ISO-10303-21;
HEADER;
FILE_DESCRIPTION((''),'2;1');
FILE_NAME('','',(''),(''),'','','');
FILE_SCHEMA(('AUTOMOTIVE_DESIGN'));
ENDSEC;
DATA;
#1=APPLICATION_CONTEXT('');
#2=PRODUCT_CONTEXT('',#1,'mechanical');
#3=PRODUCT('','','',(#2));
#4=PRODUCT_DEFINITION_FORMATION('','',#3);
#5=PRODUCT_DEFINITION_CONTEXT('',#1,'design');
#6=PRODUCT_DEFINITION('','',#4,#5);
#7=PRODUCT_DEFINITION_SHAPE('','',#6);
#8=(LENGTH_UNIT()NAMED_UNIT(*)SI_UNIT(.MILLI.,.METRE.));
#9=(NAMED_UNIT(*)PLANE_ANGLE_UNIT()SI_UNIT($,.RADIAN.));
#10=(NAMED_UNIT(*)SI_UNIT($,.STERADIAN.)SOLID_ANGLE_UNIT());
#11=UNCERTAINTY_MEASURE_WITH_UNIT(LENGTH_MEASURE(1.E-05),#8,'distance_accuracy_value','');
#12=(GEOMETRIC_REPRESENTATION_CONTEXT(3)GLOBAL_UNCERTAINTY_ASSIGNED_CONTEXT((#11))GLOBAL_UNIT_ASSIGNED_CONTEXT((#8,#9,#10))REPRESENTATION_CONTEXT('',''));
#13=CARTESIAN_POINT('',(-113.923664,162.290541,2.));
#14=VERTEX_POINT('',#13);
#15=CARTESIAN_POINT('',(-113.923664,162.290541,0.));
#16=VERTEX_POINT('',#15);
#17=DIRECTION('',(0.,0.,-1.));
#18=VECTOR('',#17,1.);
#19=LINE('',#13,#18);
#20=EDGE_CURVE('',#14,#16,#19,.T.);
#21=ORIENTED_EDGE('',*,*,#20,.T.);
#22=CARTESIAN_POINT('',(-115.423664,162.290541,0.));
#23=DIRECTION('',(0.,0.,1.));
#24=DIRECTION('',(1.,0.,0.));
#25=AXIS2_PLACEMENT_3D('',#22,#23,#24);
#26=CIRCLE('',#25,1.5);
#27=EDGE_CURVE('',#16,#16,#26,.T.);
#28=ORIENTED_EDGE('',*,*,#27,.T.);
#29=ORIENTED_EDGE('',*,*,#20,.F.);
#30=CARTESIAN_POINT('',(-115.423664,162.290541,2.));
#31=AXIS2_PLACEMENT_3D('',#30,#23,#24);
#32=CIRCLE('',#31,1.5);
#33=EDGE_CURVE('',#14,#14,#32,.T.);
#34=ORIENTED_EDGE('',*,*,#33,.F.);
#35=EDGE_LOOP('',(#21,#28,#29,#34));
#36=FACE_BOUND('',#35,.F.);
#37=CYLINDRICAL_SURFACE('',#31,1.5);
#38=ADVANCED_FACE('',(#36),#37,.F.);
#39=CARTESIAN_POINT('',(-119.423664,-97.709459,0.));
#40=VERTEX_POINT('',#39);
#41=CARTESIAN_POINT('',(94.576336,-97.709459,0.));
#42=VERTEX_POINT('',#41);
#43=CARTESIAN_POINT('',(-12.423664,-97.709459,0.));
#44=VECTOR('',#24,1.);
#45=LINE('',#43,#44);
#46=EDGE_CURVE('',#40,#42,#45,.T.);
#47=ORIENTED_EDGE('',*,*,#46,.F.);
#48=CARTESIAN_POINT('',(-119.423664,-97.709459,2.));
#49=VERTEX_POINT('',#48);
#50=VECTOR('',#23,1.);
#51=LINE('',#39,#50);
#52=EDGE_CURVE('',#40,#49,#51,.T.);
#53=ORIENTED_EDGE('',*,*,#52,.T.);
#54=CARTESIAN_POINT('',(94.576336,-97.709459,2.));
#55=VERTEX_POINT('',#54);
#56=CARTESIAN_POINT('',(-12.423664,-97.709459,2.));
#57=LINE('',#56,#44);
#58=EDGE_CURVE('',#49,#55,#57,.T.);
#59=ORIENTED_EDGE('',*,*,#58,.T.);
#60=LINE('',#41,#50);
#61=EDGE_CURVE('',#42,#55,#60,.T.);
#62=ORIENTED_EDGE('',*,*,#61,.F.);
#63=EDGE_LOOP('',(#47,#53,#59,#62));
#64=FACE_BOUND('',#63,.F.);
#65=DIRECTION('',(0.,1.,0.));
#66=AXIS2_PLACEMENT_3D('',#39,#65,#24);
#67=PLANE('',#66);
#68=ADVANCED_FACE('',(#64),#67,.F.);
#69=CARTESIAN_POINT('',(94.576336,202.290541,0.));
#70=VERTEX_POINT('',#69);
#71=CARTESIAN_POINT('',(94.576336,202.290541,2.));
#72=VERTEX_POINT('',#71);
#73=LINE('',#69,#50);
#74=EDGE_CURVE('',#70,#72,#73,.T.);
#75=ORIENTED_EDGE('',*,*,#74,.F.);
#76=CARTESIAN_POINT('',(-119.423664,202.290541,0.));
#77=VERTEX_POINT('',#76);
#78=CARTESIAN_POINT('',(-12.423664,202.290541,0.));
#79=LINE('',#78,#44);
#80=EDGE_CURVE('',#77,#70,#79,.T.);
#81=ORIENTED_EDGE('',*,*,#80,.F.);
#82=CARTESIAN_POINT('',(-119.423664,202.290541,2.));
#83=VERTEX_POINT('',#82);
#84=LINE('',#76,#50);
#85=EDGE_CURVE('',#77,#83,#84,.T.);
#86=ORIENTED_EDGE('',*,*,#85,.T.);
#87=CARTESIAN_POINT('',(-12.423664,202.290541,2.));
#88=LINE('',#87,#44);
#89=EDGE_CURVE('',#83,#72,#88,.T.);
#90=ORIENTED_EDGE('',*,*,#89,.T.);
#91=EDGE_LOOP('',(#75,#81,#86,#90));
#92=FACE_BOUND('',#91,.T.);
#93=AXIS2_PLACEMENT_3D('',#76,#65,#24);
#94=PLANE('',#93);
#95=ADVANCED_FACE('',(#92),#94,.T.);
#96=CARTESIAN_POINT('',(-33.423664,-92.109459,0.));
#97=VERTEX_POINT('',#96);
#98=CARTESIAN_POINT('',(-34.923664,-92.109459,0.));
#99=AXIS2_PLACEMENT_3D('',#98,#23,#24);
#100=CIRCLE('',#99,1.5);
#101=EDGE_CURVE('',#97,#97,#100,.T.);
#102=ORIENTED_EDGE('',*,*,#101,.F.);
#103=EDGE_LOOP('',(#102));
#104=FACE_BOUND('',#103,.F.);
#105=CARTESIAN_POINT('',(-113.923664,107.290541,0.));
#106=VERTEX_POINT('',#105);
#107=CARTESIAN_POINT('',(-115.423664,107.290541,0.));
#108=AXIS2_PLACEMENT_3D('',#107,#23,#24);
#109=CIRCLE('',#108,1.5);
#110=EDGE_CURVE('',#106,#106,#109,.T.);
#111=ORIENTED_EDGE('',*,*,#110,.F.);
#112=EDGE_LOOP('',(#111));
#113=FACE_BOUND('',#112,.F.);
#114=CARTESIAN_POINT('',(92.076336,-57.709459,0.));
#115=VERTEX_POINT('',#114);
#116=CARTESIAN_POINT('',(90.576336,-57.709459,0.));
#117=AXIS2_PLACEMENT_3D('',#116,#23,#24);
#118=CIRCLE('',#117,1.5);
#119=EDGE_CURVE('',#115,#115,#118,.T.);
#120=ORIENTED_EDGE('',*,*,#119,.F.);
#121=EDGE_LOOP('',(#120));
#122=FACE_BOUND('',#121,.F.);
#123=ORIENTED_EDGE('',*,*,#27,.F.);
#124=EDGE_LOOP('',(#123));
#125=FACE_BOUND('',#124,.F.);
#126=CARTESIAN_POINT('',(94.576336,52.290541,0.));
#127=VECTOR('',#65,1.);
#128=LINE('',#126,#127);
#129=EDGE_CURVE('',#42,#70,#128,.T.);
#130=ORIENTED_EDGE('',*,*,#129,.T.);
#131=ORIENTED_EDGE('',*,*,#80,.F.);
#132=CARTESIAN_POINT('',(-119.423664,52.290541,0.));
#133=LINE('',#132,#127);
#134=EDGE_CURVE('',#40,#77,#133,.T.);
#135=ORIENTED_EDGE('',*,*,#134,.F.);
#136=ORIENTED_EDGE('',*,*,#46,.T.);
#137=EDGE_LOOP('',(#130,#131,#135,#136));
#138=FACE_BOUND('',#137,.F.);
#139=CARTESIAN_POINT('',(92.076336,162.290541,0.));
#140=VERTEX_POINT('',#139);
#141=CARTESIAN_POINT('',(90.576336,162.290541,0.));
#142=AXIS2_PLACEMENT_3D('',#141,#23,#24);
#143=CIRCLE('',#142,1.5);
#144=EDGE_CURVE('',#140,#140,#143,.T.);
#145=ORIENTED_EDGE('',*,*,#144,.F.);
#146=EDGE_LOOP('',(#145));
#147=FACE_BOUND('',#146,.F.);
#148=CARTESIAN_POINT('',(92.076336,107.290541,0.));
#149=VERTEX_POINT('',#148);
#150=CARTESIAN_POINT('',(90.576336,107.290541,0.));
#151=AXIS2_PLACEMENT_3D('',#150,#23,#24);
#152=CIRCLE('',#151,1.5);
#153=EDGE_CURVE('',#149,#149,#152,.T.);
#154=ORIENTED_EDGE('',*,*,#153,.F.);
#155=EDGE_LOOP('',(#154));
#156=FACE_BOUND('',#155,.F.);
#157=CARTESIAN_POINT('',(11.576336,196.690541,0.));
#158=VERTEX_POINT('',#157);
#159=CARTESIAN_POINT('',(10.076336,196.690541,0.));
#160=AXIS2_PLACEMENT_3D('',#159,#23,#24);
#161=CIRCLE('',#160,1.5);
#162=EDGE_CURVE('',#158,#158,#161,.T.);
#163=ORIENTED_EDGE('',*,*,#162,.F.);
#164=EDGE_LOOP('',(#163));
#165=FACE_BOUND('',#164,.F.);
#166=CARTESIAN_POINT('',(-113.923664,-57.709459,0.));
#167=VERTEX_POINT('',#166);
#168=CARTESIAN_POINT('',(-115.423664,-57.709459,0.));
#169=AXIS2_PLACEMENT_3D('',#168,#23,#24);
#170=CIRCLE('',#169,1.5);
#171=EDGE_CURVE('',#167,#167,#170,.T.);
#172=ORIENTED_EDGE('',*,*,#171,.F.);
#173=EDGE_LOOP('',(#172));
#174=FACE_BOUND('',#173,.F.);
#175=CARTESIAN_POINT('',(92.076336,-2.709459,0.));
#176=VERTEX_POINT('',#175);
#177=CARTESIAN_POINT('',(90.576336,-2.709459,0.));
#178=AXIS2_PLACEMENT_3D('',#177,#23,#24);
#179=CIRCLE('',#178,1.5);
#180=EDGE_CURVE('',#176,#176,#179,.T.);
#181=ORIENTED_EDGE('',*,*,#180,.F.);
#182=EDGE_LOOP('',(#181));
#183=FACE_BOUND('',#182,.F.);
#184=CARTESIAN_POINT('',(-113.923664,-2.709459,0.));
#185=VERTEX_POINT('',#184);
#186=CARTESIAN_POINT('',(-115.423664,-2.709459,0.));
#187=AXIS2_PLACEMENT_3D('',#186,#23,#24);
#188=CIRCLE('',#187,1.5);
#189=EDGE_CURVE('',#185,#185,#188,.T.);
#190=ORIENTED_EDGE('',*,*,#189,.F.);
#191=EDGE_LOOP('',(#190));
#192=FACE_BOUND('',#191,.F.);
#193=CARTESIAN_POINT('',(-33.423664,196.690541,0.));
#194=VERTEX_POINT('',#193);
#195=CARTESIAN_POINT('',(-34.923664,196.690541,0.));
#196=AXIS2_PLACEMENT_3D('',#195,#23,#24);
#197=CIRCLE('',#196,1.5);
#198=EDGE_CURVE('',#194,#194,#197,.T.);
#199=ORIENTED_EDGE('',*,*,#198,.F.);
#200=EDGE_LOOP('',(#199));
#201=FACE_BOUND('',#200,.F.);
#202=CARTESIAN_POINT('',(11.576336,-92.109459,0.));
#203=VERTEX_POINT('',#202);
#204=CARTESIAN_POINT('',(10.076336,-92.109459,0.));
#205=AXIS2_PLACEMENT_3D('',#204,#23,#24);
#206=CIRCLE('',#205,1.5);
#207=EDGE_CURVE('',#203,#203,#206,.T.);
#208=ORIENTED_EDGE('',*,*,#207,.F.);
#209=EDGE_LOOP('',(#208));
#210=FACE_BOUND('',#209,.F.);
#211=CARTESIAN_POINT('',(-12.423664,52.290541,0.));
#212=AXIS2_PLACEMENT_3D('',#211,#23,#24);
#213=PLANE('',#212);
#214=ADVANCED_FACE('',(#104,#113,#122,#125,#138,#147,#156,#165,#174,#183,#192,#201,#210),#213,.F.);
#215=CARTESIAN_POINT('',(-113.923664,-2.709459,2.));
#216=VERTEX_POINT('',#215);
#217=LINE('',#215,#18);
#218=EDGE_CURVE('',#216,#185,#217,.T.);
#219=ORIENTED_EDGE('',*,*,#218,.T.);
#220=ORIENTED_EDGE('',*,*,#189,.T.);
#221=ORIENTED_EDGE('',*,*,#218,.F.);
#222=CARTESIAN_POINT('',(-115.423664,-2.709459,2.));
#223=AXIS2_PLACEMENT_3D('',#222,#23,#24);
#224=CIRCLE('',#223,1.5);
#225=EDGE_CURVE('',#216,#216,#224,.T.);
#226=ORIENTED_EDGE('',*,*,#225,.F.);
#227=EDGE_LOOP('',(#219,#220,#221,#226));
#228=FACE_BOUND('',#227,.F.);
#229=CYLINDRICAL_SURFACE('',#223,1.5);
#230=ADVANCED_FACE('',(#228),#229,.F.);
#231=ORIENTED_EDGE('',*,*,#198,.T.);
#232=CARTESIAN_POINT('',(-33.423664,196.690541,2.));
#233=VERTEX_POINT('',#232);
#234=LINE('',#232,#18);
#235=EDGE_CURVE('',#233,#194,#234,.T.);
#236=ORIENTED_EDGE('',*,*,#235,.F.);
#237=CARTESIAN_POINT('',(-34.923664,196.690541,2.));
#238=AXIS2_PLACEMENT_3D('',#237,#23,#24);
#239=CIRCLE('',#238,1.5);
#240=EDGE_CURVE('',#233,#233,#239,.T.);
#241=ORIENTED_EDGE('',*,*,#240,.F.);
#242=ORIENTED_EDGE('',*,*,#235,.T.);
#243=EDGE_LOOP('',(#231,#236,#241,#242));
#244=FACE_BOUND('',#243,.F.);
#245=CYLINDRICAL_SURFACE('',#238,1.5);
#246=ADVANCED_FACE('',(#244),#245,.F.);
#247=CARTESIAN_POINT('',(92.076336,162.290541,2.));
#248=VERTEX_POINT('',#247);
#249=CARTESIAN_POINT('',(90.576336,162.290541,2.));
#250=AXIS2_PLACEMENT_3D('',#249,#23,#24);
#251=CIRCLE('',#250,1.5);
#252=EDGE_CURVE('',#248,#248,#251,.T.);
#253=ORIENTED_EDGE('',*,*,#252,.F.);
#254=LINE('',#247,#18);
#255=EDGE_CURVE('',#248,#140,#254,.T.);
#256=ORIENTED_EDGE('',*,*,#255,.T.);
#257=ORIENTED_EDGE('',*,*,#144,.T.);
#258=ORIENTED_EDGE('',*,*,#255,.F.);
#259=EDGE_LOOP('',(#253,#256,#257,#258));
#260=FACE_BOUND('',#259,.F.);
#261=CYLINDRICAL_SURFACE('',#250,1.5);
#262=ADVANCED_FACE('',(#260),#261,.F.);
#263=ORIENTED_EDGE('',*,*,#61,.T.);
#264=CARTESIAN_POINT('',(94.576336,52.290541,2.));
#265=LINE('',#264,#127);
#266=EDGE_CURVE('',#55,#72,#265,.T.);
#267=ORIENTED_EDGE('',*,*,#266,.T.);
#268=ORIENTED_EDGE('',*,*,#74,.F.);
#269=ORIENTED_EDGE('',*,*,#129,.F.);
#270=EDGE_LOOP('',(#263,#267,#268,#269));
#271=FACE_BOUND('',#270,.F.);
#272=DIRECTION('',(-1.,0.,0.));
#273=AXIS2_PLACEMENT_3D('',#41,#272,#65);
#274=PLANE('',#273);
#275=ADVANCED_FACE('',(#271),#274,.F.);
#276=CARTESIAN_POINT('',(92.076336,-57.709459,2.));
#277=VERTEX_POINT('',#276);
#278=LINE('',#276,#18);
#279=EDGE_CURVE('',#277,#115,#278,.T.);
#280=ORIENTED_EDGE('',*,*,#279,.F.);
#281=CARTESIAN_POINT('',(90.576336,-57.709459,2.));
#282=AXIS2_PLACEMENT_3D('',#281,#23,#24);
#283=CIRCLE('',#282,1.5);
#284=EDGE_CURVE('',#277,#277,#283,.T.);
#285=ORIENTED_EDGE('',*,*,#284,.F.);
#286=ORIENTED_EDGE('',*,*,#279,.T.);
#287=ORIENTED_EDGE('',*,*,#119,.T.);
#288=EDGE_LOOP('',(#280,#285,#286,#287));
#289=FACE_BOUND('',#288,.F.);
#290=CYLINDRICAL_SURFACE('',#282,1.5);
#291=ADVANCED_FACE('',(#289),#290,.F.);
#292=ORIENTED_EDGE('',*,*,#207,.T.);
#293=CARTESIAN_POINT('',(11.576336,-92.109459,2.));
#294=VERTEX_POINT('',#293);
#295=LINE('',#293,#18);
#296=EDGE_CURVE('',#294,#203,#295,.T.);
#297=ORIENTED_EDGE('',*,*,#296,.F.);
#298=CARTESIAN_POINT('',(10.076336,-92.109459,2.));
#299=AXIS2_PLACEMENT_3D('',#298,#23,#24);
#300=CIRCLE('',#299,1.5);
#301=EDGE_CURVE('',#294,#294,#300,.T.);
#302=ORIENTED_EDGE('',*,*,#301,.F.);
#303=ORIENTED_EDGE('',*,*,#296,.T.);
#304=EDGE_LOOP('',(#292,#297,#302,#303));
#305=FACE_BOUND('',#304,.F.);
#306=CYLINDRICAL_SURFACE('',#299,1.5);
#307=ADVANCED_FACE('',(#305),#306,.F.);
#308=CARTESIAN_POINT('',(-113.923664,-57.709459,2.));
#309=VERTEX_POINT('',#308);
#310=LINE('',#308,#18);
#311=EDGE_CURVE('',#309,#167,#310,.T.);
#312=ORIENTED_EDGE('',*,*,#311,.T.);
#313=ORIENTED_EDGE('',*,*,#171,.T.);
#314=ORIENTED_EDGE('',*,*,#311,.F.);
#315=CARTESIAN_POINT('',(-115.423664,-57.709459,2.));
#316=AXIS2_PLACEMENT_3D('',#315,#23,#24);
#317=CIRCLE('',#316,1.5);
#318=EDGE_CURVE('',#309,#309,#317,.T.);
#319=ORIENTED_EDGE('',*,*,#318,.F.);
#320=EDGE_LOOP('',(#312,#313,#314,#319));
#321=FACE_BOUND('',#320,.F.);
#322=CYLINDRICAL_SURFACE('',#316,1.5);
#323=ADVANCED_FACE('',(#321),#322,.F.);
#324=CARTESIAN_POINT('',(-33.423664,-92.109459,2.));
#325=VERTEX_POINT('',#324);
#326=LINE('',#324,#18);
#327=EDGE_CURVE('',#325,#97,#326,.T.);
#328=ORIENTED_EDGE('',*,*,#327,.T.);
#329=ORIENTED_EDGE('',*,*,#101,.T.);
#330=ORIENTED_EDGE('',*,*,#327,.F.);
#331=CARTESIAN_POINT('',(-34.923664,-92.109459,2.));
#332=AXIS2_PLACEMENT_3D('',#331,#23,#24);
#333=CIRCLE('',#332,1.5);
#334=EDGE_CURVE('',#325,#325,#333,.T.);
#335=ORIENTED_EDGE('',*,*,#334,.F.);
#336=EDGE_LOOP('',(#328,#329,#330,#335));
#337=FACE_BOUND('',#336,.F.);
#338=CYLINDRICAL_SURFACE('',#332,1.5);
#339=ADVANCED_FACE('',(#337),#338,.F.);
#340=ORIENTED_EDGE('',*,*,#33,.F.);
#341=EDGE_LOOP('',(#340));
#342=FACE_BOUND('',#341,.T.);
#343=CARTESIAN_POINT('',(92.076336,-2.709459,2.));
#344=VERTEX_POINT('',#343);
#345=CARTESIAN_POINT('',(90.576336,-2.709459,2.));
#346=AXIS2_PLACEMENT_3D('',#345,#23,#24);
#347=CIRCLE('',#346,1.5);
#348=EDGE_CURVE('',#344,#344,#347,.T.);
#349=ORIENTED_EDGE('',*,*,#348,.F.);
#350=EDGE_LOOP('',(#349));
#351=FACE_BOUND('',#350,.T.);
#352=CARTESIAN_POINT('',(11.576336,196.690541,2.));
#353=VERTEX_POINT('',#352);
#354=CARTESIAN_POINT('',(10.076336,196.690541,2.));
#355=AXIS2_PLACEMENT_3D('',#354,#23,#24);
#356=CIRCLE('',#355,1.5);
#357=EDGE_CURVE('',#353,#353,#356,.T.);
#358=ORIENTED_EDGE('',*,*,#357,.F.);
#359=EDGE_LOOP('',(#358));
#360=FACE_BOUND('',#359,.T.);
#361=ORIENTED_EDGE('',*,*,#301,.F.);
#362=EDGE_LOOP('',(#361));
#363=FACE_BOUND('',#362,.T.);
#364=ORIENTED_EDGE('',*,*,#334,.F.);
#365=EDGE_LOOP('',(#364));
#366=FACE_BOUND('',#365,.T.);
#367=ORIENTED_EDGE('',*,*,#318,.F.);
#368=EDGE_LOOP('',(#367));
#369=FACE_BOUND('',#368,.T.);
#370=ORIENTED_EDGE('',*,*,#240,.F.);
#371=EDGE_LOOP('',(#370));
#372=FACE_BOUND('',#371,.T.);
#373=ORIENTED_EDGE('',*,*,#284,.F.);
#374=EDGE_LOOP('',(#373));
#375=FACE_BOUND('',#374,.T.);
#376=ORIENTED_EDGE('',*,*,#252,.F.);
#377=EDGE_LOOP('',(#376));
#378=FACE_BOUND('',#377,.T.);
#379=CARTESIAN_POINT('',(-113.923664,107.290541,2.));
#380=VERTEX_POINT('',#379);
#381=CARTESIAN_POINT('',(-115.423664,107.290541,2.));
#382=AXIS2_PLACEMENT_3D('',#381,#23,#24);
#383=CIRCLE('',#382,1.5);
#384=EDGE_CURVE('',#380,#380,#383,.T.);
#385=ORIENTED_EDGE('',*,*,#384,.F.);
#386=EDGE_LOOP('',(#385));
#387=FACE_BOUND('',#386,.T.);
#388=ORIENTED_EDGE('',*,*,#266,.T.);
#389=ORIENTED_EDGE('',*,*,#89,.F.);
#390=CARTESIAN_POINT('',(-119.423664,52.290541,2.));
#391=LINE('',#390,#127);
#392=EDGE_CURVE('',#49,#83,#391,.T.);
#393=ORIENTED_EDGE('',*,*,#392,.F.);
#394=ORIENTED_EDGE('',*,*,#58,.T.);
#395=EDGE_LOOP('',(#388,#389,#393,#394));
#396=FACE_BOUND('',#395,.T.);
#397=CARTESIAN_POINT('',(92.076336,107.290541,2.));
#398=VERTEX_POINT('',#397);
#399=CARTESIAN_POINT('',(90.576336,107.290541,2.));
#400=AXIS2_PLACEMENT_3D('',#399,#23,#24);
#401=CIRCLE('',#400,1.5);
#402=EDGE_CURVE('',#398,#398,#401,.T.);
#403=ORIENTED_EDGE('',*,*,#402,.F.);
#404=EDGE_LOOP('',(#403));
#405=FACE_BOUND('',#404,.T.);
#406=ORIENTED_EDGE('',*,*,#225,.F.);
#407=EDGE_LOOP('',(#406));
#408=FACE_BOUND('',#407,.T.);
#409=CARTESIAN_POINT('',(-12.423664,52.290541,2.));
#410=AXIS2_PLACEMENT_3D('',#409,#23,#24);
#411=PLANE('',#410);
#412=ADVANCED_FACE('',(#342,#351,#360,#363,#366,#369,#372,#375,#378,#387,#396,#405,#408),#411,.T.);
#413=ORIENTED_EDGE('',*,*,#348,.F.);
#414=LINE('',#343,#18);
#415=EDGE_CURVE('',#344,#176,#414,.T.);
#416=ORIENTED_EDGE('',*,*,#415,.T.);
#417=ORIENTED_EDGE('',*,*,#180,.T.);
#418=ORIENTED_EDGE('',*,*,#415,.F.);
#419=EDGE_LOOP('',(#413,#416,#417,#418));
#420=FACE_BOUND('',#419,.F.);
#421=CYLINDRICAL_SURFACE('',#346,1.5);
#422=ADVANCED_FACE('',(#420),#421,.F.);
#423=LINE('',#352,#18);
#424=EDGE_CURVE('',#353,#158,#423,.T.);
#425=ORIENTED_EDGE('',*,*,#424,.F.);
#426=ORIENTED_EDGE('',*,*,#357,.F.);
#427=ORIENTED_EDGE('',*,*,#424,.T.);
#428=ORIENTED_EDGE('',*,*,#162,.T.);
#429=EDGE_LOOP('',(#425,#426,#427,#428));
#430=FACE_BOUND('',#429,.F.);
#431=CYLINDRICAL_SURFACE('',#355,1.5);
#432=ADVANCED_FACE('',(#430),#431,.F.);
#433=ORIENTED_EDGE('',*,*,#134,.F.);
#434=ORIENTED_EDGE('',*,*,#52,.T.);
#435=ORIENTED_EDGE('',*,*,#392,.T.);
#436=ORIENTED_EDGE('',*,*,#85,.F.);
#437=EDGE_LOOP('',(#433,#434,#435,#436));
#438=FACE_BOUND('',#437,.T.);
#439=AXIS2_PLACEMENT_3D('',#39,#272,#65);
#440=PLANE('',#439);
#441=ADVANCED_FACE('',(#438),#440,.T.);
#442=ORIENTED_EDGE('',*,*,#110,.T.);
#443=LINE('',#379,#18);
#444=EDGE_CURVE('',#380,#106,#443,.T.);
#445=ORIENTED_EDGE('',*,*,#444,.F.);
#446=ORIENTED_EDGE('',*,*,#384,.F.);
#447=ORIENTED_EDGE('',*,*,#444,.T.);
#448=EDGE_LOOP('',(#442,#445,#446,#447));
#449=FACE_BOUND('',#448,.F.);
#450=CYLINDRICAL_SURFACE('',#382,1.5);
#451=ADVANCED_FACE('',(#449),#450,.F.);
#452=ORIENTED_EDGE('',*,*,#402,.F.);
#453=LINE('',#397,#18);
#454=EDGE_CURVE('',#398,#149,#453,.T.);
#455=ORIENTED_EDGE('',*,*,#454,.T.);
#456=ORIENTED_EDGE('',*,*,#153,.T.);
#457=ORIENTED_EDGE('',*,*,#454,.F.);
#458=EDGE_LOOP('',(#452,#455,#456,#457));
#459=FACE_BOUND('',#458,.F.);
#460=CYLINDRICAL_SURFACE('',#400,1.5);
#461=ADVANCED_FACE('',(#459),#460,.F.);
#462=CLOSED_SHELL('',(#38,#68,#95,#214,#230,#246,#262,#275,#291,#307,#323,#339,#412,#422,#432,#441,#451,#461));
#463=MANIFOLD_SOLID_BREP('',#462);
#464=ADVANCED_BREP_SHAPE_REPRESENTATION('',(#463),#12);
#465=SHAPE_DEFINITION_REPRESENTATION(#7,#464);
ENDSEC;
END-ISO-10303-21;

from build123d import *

# Parameters (mm, degrees)
F0_W     = 214
F0_H     = 300
F1_DEPTH = 2
F2_R     = 1.5
F3_DEPTH = 25


with BuildPart() as f1:
    # F0 (on Top) → F1 (new body)
    with BuildSketch(Plane.XY):
        with Locations((-12.423664, 52.290541)):
            Rectangle(F0_W, F0_H)
    extrude(amount=F1_DEPTH)

    # F2 (on face) → F3 (cut)
    with BuildSketch(Plane.XY.offset(2)):
        with Locations((-115.423664, -57.709459)):
            Circle(F2_R)
        with Locations((-115.423664, -2.709459)):
            Circle(F2_R)
        with Locations((-115.423664, 107.290541)):
            Circle(F2_R)
        with Locations((-115.423664, 162.290541)):
            Circle(F2_R)
        with Locations((-34.923664, 196.690541)):
            Circle(F2_R)
        with Locations((10.076336, 196.690541)):
            Circle(F2_R)
        with Locations((90.576336, 162.290541)):
            Circle(F2_R)
        with Locations((90.576336, 107.290541)):
            Circle(F2_R)
        with Locations((90.576336, -2.709459)):
            Circle(F2_R)
        with Locations((90.576336, -57.709459)):
            Circle(F2_R)
        with Locations((-34.923664, -92.109459)):
            Circle(F2_R)
        with Locations((10.076336, -92.109459)):
            Circle(F2_R)
    extrude(amount=-F3_DEPTH, mode=Mode.SUBTRACT)


solid = f1.part
